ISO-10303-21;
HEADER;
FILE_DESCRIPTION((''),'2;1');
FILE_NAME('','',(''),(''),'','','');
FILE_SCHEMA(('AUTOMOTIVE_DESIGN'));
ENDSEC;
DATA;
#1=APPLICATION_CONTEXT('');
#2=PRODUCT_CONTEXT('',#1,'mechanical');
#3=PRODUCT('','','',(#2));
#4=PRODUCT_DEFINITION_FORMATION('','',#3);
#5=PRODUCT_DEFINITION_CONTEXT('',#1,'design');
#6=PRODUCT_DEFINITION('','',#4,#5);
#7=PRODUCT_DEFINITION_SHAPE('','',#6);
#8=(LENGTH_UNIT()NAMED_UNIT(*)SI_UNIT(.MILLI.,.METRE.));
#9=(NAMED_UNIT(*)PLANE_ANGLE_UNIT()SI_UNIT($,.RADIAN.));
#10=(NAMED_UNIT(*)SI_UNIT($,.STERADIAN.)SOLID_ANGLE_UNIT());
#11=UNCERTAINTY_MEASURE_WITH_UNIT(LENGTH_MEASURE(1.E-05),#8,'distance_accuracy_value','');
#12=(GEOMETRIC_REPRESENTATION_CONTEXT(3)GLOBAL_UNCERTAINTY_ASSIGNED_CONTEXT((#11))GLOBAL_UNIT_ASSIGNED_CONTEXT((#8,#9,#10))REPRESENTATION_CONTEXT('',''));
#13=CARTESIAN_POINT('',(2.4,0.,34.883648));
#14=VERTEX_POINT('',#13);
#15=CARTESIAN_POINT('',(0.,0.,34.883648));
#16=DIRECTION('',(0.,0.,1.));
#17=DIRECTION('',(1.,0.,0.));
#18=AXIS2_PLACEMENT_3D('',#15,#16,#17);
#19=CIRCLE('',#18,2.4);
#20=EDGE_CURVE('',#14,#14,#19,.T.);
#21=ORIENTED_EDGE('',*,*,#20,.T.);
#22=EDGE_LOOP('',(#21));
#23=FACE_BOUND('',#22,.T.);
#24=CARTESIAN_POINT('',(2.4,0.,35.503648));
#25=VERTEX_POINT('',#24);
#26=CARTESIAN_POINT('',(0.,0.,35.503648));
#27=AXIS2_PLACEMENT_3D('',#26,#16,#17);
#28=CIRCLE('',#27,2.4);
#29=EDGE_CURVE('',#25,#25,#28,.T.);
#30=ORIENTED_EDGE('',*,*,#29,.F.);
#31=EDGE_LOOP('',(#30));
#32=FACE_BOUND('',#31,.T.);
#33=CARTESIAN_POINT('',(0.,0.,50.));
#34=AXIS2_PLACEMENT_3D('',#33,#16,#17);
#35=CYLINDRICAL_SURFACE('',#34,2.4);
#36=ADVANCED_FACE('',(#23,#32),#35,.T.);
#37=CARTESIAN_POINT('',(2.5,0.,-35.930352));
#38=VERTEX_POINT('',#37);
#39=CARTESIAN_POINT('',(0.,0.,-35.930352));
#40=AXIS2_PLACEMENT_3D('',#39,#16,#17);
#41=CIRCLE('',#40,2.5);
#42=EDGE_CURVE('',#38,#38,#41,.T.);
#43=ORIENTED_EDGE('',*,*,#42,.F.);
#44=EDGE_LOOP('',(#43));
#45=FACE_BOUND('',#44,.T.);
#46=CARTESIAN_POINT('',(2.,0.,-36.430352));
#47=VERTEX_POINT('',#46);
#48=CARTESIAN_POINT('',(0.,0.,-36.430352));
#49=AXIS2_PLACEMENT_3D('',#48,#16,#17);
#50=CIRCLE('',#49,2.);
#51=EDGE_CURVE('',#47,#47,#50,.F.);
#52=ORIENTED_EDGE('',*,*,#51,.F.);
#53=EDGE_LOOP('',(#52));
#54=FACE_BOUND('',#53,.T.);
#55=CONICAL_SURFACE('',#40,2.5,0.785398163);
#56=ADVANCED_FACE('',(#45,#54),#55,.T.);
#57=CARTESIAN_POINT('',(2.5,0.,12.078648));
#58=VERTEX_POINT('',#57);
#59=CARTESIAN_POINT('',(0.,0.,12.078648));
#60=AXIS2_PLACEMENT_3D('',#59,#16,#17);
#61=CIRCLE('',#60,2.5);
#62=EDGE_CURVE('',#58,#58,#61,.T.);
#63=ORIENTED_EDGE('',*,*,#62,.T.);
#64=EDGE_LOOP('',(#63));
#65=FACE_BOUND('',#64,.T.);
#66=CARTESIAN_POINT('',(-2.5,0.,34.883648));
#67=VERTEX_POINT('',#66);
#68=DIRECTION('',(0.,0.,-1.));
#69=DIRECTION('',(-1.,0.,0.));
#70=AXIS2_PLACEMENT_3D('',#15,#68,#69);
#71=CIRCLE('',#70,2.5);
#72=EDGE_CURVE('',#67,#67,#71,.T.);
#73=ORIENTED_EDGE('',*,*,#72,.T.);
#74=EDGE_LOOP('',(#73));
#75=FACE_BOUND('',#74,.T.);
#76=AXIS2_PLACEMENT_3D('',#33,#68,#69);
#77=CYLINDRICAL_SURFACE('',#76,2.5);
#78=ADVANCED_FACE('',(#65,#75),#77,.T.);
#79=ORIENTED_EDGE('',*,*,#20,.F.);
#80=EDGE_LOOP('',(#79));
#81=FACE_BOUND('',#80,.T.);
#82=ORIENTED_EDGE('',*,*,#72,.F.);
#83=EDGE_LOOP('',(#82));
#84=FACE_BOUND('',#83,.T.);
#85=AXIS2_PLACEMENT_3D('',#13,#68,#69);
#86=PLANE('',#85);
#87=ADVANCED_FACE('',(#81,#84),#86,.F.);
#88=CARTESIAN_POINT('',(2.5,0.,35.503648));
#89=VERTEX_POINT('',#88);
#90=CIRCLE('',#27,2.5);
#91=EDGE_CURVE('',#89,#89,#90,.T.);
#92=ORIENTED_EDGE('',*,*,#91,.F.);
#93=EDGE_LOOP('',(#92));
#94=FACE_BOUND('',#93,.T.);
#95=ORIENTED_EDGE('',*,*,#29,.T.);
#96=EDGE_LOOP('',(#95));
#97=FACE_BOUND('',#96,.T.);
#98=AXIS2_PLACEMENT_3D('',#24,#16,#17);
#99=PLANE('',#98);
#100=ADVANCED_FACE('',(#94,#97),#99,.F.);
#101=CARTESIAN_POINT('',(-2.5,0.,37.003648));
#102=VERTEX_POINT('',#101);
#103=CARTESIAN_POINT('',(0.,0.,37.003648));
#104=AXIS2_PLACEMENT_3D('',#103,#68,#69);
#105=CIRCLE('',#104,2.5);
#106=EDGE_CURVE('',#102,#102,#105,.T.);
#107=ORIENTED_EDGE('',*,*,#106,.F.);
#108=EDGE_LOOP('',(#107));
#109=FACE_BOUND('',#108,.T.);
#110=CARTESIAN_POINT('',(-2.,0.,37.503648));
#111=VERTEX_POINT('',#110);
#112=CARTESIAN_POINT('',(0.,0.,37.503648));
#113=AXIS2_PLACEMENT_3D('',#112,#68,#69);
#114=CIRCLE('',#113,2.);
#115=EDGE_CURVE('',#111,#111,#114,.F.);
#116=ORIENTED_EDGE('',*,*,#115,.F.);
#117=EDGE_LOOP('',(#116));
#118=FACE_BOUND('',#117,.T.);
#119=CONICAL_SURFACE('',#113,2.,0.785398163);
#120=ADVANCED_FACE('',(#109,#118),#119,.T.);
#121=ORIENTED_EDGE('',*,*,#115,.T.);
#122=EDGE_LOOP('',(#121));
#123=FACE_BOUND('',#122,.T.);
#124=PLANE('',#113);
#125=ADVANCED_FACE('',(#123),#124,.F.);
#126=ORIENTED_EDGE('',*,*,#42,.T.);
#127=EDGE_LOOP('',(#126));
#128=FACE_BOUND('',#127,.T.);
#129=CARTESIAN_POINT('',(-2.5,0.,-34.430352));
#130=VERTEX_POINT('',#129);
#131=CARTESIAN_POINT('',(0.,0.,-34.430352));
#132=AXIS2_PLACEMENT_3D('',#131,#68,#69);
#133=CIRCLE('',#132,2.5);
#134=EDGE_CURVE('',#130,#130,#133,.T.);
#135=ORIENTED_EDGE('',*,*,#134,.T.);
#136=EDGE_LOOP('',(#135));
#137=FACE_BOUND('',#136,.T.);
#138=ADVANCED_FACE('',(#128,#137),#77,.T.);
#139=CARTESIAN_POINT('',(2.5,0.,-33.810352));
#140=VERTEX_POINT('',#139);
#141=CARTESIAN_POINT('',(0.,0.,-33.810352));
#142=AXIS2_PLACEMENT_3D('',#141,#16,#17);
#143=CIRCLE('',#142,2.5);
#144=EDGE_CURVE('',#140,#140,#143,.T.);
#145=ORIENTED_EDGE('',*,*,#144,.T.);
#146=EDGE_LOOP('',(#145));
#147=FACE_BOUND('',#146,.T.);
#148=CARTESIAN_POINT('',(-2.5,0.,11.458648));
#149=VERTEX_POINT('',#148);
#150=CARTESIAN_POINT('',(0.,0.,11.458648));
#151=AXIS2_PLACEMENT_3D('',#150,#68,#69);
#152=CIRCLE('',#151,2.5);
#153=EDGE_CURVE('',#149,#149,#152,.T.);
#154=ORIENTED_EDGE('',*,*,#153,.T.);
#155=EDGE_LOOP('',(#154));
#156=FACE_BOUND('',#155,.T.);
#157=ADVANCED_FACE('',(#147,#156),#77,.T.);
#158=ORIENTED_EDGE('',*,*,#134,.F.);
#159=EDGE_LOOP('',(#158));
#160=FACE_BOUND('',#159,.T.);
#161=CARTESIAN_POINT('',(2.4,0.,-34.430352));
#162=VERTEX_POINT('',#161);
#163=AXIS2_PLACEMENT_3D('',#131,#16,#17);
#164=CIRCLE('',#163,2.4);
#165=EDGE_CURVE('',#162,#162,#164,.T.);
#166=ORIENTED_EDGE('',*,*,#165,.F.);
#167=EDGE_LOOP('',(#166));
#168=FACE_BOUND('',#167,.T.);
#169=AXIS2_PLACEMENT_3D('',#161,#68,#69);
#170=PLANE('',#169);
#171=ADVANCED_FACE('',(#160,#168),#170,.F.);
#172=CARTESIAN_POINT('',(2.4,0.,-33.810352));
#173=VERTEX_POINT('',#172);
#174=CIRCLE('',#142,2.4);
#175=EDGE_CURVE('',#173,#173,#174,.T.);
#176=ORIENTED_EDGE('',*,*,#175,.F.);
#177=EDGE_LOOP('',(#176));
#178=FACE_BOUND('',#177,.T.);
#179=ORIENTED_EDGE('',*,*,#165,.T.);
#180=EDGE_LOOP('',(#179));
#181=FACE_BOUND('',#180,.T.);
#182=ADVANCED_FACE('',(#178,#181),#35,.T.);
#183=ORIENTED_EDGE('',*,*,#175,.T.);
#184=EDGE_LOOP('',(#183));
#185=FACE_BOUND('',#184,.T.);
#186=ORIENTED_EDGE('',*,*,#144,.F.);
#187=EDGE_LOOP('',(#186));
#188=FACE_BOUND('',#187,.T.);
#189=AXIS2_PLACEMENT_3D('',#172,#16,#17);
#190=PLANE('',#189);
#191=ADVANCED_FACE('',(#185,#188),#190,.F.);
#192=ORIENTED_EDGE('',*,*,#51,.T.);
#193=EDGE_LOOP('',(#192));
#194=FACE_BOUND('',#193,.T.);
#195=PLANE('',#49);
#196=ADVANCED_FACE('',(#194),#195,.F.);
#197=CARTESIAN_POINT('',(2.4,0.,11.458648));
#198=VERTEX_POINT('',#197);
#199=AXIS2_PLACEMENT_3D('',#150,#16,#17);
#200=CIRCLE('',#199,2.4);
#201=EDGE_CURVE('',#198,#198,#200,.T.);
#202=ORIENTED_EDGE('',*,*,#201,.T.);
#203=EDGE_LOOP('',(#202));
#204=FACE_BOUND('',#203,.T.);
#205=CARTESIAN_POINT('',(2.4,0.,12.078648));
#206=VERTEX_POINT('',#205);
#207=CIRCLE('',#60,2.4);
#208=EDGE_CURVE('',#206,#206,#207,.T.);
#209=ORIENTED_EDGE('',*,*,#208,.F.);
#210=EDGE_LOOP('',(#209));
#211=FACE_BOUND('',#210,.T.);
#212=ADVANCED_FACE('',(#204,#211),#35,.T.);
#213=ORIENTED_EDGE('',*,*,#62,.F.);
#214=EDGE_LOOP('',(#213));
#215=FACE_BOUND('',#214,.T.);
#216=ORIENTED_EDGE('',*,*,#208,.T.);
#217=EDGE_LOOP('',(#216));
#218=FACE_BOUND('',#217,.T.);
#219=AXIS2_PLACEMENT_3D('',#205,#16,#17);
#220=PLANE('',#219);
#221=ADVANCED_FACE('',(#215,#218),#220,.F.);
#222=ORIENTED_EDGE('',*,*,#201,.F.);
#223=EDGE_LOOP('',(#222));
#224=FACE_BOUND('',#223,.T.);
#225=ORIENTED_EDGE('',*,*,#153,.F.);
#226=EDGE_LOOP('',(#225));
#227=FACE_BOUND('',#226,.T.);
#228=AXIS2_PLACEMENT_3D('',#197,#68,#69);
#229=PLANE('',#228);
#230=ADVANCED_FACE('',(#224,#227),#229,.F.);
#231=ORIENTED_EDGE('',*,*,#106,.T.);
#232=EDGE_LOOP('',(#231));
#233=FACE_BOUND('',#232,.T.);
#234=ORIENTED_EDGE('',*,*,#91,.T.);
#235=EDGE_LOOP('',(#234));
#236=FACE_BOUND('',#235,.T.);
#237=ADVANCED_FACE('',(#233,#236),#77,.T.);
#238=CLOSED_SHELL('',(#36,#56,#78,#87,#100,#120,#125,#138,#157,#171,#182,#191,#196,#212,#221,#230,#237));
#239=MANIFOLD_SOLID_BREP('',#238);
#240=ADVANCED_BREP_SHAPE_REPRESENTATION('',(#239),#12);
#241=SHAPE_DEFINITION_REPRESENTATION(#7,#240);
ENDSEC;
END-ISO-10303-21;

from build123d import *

# Parameters (mm, degrees)
BOSS_EXTRUDE1_DEPTH      = 50
BOSS_EXTRUDE1_DEPTH_BACK = 50
SKETCH3_R                = 2.5
CHAMFER1_SIZE            = 0.35
SKETCH5_W                = 1
SKETCH5_H                = 0.62
SKETCH5_W_2              = 2.5
SKETCH5_H_2              = 13.569648194
SKETCH5_H_3              = 12.496351806
CHAMFER3_SIZE            = 0.5


with BuildPart() as part:
    # Sketch3 → Boss-Extrude1 (new, two sides: drawn at the far end of the back side and taken through both)
    with BuildSketch(Plane.XY.offset(-BOSS_EXTRUDE1_DEPTH_BACK)):
        Circle(SKETCH3_R)
    extrude(amount=BOSS_EXTRUDE1_DEPTH + BOSS_EXTRUDE1_DEPTH_BACK)

    # Chamfer1
    chamfer1_edges = [part.edges().sort_by_distance(p)[0] for p in [
        (-2.5, 0, -50),
        (-2.5, 0, 50),
    ]]
    chamfer(chamfer1_edges, length=CHAMFER1_SIZE)

    # Sketch5 → Cut-Revolve5 (revolve, cut)
    with BuildSketch(Plane(origin=(0, 0, 0), x_dir=(1, 0, 0), z_dir=(0, 1, 0))):
        with Locations((2.9, 34.120351806)):
            Rectangle(SKETCH5_W, SKETCH5_H)
        with Locations((1.25, 43.215175903)):
            Rectangle(SKETCH5_W_2, SKETCH5_H_2)
        with Locations((2.9, -35.193648194)):
            Rectangle(SKETCH5_W, SKETCH5_H)
        with Locations((1.25, -43.751824097)):
            Rectangle(SKETCH5_W_2, SKETCH5_H_3)
        with Locations((2.9, -11.768648194)):
            Rectangle(SKETCH5_W, SKETCH5_H)
    revolve(axis=Axis((0, 0, 50), (0, 0, -1)), mode=Mode.SUBTRACT)

    # Chamfer3
    chamfer3_edges = [part.edges().sort_by_distance(p)[0] for p in [
        (-2.5, 0, 37.503648194),
        (-2.5, 0, -36.430351806),
    ]]
    chamfer(chamfer3_edges, length=CHAMFER3_SIZE)


solid = part.part
